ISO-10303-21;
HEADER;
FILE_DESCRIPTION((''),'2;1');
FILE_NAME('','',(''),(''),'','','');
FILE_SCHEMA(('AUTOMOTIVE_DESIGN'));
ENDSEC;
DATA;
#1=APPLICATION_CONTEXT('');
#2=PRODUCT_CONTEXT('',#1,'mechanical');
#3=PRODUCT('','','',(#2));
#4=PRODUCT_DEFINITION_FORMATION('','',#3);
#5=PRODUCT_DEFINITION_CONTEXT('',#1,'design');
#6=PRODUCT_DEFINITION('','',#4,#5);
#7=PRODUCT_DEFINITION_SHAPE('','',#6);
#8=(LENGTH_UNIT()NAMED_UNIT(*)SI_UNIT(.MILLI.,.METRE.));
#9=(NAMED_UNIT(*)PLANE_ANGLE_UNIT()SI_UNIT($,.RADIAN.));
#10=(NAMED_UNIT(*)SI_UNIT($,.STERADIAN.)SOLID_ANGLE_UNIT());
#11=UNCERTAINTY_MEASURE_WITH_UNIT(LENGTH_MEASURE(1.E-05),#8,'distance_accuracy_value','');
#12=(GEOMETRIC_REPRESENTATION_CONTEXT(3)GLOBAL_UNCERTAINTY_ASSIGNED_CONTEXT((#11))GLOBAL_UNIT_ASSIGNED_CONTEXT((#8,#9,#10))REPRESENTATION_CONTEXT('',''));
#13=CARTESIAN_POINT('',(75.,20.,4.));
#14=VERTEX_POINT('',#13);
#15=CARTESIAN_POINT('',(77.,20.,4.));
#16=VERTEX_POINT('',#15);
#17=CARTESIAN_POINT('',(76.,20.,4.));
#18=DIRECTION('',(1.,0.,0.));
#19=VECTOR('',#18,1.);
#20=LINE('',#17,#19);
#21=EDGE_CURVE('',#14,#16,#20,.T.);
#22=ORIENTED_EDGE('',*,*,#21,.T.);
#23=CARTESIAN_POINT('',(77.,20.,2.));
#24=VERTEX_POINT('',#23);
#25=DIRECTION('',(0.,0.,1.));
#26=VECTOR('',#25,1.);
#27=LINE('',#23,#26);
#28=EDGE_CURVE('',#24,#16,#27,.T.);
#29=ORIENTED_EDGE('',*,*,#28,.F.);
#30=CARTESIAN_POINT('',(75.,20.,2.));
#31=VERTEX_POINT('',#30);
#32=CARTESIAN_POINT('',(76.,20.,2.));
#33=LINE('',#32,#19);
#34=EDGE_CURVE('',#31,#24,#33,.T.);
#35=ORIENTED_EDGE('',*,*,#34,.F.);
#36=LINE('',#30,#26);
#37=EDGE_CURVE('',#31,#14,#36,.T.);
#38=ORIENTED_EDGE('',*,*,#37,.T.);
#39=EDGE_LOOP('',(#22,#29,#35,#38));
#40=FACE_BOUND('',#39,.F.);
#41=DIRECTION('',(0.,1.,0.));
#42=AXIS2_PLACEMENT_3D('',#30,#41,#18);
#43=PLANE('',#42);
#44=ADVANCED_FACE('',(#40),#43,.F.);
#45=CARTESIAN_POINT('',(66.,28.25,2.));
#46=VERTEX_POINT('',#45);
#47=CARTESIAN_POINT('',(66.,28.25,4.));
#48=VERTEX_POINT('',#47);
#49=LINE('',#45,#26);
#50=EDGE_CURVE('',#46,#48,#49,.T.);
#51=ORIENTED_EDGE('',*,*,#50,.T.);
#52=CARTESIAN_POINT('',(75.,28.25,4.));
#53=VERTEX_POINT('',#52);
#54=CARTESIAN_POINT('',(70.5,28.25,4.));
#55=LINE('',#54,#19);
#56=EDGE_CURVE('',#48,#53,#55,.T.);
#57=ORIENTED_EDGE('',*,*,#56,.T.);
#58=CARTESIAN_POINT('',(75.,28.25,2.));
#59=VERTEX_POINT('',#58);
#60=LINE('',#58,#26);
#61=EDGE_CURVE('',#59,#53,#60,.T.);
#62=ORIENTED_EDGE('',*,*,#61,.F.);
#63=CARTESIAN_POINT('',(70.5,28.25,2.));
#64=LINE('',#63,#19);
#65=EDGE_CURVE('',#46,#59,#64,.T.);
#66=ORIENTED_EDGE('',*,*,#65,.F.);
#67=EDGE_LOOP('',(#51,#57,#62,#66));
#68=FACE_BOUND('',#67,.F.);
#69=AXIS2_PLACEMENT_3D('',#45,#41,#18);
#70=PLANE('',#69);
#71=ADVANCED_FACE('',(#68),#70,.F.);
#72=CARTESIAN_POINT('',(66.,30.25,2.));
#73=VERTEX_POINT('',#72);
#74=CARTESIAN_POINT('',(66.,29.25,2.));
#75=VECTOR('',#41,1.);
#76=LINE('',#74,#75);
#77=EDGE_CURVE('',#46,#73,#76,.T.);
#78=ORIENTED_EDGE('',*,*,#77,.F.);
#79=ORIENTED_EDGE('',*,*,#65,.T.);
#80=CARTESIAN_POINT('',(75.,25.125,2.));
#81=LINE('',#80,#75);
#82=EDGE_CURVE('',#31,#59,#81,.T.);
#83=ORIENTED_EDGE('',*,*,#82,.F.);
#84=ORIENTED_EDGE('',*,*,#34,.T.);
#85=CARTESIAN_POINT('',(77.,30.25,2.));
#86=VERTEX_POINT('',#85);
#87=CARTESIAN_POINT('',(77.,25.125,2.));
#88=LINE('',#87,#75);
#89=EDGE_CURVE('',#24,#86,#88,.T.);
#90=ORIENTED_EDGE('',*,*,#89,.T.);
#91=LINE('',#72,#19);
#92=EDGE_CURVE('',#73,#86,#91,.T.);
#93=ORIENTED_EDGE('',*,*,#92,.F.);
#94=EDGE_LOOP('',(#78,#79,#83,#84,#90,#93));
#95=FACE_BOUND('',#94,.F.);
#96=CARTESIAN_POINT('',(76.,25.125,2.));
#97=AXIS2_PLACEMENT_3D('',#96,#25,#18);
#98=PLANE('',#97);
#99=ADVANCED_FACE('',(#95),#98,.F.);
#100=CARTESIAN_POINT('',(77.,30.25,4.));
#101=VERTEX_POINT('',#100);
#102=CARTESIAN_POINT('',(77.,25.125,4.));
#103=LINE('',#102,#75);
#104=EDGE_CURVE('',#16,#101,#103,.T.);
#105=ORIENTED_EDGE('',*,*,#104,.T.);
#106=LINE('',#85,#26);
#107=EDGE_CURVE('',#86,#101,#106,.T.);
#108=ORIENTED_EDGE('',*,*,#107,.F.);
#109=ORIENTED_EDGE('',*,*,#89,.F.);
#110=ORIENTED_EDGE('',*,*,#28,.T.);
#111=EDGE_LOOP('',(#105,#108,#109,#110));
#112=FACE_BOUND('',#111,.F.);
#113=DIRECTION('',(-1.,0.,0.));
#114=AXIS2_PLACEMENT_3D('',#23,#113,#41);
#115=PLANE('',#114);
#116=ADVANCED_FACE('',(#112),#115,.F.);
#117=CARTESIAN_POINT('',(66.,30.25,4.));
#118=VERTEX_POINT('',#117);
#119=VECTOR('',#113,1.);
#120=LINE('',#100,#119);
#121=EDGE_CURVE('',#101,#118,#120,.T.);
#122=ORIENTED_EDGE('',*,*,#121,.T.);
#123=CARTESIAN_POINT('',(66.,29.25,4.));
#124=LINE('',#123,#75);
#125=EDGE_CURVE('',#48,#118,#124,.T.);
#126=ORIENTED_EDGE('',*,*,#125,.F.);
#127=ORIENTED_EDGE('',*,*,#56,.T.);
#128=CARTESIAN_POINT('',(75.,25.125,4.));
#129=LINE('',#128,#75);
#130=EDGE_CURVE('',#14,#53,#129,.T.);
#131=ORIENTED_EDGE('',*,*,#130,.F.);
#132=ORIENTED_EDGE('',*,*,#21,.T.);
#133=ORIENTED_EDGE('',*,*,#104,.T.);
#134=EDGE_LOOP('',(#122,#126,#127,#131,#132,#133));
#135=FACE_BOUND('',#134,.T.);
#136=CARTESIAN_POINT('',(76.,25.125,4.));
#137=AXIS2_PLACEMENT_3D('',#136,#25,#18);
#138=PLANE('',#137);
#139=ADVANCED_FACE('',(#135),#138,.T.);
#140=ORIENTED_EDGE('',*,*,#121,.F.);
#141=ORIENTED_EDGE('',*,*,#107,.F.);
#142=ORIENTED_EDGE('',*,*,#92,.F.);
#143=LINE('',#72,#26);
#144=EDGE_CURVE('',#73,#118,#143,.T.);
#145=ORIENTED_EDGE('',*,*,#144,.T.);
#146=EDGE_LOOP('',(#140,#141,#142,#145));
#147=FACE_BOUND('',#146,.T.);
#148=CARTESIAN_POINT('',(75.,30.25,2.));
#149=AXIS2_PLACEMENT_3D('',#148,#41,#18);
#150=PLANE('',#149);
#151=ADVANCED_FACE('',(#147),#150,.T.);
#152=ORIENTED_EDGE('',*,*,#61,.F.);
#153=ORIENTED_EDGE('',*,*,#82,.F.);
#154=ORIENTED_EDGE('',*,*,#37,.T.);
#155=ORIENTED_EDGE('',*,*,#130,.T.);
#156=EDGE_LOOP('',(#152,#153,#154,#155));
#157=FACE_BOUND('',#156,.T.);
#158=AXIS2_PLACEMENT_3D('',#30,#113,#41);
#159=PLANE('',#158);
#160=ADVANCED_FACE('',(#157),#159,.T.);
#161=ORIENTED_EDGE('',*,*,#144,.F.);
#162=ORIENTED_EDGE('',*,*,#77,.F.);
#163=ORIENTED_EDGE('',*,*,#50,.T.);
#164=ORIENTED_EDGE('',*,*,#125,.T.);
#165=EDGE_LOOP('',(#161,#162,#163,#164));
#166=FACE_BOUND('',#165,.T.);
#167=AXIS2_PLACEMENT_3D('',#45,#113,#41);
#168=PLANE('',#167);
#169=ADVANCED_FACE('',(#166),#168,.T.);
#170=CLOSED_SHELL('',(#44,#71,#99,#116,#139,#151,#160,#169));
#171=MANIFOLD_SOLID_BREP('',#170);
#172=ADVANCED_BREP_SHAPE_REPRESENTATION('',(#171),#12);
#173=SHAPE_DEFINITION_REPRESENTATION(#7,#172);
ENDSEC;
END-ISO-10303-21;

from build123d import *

# Parameters (mm, degrees)
BOX163_W     = 2
BOX163_H     = 10.25
BOX163_DEPTH = 2
BOX161_W     = 9
BOX161_H     = 2
BOX161_DEPTH = 2


with BuildPart() as cube152:
    # Box163 → Box163 (new body)
    with BuildSketch(Plane(origin=(75, 20, 2), x_dir=(1, 0, 0), z_dir=(0, 0, 1))):
        with Locations((1, 5.125)):
            Rectangle(BOX163_W, BOX163_H)
    extrude(amount=BOX163_DEPTH)


with BuildPart() as fusion051:
    # Box161 → Box161 (new body)
    with BuildSketch(Plane(origin=(66, 28.25, 2), x_dir=(1, 0, 0), z_dir=(0, 0, 1))):
        with Locations((4.5, 1)):
            Rectangle(BOX161_W, BOX161_H)
    extrude(amount=BOX161_DEPTH)

    # Fusion051: union Cube152
    add(cube152.part)


solid = fusion051.part
